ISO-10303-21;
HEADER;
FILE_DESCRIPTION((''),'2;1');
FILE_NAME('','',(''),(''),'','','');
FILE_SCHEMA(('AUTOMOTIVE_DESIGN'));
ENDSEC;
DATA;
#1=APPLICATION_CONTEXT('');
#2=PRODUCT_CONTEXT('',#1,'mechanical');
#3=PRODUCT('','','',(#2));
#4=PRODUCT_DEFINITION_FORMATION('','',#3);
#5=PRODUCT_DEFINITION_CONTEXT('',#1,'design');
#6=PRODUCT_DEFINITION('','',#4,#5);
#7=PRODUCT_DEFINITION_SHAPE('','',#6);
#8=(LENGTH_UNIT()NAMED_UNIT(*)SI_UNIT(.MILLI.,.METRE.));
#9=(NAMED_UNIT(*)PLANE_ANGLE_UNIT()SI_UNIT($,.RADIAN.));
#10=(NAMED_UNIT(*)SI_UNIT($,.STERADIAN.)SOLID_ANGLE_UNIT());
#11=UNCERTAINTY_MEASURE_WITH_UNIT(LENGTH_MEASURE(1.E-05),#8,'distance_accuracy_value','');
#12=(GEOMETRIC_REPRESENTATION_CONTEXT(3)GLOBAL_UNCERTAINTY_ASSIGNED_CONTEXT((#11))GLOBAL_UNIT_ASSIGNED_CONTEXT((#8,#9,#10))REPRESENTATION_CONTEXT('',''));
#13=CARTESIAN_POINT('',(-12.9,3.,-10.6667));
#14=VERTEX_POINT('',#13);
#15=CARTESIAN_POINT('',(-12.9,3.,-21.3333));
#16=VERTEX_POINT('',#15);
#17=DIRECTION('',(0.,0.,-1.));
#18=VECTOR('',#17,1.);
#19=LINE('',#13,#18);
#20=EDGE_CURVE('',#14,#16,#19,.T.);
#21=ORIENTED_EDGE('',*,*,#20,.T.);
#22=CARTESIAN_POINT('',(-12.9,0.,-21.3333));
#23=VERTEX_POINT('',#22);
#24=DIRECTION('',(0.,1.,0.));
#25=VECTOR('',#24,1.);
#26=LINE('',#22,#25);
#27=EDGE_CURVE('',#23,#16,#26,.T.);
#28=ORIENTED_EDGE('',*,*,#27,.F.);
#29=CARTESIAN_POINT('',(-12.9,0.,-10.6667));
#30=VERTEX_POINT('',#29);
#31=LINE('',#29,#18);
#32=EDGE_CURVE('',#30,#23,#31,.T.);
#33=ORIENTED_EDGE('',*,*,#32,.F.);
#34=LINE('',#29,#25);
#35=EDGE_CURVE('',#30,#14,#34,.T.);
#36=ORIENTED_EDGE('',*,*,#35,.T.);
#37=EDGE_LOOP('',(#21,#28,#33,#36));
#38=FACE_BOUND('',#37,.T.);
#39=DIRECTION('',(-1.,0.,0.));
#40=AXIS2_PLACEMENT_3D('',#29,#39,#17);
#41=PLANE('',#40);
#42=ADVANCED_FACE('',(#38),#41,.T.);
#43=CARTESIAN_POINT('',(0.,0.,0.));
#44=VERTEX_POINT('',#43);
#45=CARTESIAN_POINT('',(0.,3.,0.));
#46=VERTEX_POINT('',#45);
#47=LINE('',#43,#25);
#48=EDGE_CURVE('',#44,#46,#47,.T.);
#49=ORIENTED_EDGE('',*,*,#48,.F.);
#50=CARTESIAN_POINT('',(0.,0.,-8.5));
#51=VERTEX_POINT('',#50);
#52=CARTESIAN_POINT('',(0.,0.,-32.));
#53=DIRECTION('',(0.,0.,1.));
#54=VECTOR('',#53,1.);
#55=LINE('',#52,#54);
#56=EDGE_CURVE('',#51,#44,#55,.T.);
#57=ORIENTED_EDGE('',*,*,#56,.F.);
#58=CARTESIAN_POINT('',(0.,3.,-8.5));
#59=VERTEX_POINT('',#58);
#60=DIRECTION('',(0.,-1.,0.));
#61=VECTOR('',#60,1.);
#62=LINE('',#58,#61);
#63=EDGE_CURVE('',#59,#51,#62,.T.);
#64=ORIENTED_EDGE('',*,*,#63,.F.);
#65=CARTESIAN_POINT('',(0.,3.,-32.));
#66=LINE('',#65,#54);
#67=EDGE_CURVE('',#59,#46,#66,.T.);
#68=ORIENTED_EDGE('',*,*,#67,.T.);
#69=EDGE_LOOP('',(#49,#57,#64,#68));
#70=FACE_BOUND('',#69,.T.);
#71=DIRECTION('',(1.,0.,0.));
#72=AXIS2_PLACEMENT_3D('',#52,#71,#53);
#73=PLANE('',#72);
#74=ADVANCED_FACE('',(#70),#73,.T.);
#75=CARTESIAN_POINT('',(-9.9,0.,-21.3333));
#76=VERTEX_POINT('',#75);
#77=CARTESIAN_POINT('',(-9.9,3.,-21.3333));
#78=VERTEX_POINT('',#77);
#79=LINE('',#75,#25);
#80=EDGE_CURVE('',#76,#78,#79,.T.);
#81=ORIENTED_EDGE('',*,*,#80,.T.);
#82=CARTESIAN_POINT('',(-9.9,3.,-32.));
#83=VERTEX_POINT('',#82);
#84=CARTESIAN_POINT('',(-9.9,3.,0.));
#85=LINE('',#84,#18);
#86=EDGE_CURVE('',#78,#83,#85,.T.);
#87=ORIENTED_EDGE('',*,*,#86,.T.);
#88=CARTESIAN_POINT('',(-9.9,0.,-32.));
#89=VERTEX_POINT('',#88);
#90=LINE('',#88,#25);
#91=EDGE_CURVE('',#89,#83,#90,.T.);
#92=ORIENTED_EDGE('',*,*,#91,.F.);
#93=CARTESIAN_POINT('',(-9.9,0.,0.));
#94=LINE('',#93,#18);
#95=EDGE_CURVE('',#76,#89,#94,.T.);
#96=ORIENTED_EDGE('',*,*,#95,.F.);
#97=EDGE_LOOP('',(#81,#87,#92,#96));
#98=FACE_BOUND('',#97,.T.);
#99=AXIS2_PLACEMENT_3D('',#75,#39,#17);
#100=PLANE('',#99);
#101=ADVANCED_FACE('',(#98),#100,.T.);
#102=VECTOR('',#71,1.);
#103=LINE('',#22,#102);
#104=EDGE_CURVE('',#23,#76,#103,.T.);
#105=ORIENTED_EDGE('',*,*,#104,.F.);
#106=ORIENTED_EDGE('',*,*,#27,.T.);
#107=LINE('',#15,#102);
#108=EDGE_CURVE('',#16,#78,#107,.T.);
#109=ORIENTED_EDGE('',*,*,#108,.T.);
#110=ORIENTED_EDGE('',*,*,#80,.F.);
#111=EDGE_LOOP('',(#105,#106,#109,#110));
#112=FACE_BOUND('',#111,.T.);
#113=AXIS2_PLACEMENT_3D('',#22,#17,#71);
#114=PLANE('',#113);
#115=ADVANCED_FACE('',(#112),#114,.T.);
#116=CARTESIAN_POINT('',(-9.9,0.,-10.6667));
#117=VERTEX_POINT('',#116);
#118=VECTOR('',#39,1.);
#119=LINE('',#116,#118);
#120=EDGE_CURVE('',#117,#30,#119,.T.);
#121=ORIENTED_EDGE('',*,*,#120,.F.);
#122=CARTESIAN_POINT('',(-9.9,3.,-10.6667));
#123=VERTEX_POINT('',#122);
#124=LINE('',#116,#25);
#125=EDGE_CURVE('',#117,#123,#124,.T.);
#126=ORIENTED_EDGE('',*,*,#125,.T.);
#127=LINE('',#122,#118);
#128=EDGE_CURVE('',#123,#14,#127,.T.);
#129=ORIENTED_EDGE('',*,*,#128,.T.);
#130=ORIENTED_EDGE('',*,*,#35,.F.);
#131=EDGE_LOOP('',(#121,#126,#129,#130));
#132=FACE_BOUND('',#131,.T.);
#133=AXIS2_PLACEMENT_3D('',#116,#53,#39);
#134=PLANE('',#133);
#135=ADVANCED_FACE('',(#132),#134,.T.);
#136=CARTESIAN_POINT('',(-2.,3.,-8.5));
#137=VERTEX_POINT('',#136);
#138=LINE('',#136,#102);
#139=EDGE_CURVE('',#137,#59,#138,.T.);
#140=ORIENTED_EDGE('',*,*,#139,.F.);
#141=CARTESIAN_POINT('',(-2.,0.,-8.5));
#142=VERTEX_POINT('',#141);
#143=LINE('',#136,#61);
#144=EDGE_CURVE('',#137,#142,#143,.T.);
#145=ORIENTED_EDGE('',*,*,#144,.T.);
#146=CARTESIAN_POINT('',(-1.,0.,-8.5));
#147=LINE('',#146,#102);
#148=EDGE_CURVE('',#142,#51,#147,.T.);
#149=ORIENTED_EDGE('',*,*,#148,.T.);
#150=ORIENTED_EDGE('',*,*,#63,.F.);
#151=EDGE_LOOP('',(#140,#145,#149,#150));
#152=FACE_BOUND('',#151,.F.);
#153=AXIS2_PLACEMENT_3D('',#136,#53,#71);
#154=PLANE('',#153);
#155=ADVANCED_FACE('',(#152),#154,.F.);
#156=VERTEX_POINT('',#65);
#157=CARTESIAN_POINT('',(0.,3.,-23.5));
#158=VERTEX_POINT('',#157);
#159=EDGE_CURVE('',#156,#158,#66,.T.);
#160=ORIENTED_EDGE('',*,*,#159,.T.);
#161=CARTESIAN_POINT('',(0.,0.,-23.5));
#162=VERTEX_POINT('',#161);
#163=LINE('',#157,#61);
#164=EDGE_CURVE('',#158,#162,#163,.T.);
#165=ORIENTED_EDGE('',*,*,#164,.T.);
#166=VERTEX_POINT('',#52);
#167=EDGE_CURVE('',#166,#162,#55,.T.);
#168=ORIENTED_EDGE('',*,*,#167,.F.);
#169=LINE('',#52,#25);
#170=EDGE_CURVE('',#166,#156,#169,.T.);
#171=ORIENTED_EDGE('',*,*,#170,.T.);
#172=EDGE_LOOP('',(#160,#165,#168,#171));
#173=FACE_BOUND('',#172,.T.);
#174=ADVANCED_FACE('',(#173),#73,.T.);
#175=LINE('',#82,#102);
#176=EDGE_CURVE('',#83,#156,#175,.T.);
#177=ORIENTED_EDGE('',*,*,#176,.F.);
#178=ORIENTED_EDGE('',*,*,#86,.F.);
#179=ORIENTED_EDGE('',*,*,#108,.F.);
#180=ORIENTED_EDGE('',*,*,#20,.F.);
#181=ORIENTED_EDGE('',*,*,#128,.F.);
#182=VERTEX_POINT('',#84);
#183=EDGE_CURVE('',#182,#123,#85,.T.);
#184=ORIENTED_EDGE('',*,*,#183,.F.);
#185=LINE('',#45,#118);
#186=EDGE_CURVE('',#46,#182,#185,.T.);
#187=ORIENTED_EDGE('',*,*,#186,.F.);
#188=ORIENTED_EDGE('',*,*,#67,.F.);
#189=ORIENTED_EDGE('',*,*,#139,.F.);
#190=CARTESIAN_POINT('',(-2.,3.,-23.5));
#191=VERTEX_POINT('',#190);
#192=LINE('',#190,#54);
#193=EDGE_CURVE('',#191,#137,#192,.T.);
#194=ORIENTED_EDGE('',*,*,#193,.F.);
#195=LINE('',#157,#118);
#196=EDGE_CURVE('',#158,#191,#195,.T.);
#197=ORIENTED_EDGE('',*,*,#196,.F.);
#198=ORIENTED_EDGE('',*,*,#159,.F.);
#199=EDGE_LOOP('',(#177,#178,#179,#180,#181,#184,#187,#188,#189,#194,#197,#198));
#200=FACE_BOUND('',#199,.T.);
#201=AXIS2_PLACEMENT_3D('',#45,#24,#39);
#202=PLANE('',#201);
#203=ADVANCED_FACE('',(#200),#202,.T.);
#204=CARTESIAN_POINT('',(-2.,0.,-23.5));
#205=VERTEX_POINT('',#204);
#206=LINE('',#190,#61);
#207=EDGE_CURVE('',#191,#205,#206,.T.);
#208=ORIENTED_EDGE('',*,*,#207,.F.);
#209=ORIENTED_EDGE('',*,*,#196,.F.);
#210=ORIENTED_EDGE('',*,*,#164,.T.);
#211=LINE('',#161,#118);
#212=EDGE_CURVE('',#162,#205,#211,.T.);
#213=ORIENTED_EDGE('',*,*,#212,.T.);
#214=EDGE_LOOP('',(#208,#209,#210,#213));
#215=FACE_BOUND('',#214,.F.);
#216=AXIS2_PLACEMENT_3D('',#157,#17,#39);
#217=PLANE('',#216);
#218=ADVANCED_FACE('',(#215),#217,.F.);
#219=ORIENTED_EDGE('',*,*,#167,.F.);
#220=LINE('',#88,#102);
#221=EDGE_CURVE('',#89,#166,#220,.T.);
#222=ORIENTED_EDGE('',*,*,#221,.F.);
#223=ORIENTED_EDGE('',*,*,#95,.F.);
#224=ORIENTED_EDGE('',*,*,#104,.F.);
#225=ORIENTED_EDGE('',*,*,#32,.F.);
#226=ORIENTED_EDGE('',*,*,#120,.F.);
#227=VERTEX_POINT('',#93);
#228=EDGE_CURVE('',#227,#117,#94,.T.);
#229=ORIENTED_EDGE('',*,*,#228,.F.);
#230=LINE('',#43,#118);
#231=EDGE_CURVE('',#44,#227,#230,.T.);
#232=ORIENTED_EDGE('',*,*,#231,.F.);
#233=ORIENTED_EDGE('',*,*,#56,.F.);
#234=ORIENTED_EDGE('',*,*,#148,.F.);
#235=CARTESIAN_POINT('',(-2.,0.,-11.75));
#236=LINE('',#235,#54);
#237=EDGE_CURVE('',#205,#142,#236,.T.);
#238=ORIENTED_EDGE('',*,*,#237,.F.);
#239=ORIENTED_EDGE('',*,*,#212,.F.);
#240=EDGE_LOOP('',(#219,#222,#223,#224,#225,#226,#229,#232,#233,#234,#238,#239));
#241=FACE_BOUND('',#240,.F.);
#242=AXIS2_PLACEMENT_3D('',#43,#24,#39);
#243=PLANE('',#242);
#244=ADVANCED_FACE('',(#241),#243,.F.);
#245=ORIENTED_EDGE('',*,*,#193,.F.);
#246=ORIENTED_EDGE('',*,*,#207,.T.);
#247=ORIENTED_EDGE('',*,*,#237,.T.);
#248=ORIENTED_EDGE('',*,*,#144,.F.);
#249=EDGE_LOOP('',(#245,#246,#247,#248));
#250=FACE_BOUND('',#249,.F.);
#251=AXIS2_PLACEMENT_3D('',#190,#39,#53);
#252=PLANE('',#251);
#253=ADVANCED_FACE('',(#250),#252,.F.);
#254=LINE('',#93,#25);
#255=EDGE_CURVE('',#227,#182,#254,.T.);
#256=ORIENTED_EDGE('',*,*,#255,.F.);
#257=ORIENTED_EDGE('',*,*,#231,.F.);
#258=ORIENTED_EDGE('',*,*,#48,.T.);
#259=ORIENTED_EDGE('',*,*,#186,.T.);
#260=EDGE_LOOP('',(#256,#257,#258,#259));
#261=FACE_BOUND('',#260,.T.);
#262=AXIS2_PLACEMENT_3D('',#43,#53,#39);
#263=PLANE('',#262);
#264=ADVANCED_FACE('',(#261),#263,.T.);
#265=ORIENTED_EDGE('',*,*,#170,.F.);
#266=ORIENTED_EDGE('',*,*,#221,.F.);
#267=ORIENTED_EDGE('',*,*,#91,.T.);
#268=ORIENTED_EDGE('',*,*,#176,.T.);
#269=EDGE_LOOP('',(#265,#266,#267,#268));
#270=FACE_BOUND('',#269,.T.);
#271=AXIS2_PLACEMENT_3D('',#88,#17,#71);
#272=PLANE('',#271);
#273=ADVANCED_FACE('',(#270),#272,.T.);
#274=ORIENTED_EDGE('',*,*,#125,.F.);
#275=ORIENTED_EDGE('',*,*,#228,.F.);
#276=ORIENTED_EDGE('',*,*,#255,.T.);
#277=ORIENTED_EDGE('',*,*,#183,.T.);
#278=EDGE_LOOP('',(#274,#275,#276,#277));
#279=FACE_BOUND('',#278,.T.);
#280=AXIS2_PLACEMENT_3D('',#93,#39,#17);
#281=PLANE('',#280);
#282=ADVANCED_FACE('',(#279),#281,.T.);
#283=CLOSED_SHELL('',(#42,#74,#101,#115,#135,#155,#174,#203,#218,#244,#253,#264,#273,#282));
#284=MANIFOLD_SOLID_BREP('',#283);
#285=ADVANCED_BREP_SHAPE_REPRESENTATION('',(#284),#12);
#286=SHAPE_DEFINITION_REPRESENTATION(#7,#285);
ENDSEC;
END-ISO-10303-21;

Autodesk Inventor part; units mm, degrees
ref_plane "YZ Plane" through (0, 0, 0) normal (1, 0, 0) x (0, 1, 0)
ref_plane "XZ Plane" through (0, 0, 0) normal (0, 1, 0) x (-1, 0, 0)
ref_plane "XY Plane" through (0, 0, 0) normal (0, 0, 1) x (1, 0, 0)
sketch "Esquisse1" plane through (0, 0, 0) normal (0, 1, 0) x (-1, 0, 0)
  line L0 (0, 0) -> (9.9, 0)
  line L1 (9.9, 0) -> (9.9, -32)
  line L2 (9.9, -32) -> (0, -32)
  line L3 (0, -32) -> (0, 0)
  line L4 (12.9, -21.3333) -> (9.9, -21.3333)
  line L5 (9.9, -21.3333) -> (9.9, -10.6667)
  line L6 (9.9, -10.6667) -> (12.9, -10.6667)
  line L7 (12.9, -10.6667) -> (12.9, -21.3333)
  point P0 (9.9, -16)
  dimension "d0" = 32
  dimension "d1" = 9.9
  dimension "d2" = 10.6667
  dimension "d3" = 3
extrude "Extrusion1" add sketch "Esquisse1" along normal blind 3
sketch "Esquisse2" plane through (0, 3, 0) normal (0, 1, 0) x (1, 0, 0)
  line L0 (-2, 8.5) -> (0, 8.5)
  line L1 (0, 8.5) -> (0, 23.5)
  line L2 (0, 23.5) -> (-2, 23.5)
  line L3 (-2, 23.5) -> (-2, 8.5)
  line L4 (-9.9, 21.3333) -> (-12.9, 21.3333) projected
  line L5 (-12.9, 21.3333) -> (-12.9, 10.6667) projected
  line L6 (-12.9, 10.6667) -> (-9.9, 10.6667) projected
  line L7 (-9.9, 10.6667) -> (-9.9, 0) projected
  line L8 (-9.9, 0) -> (0, 0) projected
  line L9 (0, 0) -> (0, 32) projected
  line L10 (0, 32) -> (-9.9, 32) projected
  line L11 (-9.9, 32) -> (-9.9, 21.3333) projected
  point P0 (0, 16)
  dimension "d6" = 2
  dimension "d7" = 15
extrude "Extrusion2" cut sketch "Esquisse2" against normal through all contours L3 L2 L1 L0
equation "\"d2\" = 0.333333 * d0"
properties part number "bottom_renfort"
